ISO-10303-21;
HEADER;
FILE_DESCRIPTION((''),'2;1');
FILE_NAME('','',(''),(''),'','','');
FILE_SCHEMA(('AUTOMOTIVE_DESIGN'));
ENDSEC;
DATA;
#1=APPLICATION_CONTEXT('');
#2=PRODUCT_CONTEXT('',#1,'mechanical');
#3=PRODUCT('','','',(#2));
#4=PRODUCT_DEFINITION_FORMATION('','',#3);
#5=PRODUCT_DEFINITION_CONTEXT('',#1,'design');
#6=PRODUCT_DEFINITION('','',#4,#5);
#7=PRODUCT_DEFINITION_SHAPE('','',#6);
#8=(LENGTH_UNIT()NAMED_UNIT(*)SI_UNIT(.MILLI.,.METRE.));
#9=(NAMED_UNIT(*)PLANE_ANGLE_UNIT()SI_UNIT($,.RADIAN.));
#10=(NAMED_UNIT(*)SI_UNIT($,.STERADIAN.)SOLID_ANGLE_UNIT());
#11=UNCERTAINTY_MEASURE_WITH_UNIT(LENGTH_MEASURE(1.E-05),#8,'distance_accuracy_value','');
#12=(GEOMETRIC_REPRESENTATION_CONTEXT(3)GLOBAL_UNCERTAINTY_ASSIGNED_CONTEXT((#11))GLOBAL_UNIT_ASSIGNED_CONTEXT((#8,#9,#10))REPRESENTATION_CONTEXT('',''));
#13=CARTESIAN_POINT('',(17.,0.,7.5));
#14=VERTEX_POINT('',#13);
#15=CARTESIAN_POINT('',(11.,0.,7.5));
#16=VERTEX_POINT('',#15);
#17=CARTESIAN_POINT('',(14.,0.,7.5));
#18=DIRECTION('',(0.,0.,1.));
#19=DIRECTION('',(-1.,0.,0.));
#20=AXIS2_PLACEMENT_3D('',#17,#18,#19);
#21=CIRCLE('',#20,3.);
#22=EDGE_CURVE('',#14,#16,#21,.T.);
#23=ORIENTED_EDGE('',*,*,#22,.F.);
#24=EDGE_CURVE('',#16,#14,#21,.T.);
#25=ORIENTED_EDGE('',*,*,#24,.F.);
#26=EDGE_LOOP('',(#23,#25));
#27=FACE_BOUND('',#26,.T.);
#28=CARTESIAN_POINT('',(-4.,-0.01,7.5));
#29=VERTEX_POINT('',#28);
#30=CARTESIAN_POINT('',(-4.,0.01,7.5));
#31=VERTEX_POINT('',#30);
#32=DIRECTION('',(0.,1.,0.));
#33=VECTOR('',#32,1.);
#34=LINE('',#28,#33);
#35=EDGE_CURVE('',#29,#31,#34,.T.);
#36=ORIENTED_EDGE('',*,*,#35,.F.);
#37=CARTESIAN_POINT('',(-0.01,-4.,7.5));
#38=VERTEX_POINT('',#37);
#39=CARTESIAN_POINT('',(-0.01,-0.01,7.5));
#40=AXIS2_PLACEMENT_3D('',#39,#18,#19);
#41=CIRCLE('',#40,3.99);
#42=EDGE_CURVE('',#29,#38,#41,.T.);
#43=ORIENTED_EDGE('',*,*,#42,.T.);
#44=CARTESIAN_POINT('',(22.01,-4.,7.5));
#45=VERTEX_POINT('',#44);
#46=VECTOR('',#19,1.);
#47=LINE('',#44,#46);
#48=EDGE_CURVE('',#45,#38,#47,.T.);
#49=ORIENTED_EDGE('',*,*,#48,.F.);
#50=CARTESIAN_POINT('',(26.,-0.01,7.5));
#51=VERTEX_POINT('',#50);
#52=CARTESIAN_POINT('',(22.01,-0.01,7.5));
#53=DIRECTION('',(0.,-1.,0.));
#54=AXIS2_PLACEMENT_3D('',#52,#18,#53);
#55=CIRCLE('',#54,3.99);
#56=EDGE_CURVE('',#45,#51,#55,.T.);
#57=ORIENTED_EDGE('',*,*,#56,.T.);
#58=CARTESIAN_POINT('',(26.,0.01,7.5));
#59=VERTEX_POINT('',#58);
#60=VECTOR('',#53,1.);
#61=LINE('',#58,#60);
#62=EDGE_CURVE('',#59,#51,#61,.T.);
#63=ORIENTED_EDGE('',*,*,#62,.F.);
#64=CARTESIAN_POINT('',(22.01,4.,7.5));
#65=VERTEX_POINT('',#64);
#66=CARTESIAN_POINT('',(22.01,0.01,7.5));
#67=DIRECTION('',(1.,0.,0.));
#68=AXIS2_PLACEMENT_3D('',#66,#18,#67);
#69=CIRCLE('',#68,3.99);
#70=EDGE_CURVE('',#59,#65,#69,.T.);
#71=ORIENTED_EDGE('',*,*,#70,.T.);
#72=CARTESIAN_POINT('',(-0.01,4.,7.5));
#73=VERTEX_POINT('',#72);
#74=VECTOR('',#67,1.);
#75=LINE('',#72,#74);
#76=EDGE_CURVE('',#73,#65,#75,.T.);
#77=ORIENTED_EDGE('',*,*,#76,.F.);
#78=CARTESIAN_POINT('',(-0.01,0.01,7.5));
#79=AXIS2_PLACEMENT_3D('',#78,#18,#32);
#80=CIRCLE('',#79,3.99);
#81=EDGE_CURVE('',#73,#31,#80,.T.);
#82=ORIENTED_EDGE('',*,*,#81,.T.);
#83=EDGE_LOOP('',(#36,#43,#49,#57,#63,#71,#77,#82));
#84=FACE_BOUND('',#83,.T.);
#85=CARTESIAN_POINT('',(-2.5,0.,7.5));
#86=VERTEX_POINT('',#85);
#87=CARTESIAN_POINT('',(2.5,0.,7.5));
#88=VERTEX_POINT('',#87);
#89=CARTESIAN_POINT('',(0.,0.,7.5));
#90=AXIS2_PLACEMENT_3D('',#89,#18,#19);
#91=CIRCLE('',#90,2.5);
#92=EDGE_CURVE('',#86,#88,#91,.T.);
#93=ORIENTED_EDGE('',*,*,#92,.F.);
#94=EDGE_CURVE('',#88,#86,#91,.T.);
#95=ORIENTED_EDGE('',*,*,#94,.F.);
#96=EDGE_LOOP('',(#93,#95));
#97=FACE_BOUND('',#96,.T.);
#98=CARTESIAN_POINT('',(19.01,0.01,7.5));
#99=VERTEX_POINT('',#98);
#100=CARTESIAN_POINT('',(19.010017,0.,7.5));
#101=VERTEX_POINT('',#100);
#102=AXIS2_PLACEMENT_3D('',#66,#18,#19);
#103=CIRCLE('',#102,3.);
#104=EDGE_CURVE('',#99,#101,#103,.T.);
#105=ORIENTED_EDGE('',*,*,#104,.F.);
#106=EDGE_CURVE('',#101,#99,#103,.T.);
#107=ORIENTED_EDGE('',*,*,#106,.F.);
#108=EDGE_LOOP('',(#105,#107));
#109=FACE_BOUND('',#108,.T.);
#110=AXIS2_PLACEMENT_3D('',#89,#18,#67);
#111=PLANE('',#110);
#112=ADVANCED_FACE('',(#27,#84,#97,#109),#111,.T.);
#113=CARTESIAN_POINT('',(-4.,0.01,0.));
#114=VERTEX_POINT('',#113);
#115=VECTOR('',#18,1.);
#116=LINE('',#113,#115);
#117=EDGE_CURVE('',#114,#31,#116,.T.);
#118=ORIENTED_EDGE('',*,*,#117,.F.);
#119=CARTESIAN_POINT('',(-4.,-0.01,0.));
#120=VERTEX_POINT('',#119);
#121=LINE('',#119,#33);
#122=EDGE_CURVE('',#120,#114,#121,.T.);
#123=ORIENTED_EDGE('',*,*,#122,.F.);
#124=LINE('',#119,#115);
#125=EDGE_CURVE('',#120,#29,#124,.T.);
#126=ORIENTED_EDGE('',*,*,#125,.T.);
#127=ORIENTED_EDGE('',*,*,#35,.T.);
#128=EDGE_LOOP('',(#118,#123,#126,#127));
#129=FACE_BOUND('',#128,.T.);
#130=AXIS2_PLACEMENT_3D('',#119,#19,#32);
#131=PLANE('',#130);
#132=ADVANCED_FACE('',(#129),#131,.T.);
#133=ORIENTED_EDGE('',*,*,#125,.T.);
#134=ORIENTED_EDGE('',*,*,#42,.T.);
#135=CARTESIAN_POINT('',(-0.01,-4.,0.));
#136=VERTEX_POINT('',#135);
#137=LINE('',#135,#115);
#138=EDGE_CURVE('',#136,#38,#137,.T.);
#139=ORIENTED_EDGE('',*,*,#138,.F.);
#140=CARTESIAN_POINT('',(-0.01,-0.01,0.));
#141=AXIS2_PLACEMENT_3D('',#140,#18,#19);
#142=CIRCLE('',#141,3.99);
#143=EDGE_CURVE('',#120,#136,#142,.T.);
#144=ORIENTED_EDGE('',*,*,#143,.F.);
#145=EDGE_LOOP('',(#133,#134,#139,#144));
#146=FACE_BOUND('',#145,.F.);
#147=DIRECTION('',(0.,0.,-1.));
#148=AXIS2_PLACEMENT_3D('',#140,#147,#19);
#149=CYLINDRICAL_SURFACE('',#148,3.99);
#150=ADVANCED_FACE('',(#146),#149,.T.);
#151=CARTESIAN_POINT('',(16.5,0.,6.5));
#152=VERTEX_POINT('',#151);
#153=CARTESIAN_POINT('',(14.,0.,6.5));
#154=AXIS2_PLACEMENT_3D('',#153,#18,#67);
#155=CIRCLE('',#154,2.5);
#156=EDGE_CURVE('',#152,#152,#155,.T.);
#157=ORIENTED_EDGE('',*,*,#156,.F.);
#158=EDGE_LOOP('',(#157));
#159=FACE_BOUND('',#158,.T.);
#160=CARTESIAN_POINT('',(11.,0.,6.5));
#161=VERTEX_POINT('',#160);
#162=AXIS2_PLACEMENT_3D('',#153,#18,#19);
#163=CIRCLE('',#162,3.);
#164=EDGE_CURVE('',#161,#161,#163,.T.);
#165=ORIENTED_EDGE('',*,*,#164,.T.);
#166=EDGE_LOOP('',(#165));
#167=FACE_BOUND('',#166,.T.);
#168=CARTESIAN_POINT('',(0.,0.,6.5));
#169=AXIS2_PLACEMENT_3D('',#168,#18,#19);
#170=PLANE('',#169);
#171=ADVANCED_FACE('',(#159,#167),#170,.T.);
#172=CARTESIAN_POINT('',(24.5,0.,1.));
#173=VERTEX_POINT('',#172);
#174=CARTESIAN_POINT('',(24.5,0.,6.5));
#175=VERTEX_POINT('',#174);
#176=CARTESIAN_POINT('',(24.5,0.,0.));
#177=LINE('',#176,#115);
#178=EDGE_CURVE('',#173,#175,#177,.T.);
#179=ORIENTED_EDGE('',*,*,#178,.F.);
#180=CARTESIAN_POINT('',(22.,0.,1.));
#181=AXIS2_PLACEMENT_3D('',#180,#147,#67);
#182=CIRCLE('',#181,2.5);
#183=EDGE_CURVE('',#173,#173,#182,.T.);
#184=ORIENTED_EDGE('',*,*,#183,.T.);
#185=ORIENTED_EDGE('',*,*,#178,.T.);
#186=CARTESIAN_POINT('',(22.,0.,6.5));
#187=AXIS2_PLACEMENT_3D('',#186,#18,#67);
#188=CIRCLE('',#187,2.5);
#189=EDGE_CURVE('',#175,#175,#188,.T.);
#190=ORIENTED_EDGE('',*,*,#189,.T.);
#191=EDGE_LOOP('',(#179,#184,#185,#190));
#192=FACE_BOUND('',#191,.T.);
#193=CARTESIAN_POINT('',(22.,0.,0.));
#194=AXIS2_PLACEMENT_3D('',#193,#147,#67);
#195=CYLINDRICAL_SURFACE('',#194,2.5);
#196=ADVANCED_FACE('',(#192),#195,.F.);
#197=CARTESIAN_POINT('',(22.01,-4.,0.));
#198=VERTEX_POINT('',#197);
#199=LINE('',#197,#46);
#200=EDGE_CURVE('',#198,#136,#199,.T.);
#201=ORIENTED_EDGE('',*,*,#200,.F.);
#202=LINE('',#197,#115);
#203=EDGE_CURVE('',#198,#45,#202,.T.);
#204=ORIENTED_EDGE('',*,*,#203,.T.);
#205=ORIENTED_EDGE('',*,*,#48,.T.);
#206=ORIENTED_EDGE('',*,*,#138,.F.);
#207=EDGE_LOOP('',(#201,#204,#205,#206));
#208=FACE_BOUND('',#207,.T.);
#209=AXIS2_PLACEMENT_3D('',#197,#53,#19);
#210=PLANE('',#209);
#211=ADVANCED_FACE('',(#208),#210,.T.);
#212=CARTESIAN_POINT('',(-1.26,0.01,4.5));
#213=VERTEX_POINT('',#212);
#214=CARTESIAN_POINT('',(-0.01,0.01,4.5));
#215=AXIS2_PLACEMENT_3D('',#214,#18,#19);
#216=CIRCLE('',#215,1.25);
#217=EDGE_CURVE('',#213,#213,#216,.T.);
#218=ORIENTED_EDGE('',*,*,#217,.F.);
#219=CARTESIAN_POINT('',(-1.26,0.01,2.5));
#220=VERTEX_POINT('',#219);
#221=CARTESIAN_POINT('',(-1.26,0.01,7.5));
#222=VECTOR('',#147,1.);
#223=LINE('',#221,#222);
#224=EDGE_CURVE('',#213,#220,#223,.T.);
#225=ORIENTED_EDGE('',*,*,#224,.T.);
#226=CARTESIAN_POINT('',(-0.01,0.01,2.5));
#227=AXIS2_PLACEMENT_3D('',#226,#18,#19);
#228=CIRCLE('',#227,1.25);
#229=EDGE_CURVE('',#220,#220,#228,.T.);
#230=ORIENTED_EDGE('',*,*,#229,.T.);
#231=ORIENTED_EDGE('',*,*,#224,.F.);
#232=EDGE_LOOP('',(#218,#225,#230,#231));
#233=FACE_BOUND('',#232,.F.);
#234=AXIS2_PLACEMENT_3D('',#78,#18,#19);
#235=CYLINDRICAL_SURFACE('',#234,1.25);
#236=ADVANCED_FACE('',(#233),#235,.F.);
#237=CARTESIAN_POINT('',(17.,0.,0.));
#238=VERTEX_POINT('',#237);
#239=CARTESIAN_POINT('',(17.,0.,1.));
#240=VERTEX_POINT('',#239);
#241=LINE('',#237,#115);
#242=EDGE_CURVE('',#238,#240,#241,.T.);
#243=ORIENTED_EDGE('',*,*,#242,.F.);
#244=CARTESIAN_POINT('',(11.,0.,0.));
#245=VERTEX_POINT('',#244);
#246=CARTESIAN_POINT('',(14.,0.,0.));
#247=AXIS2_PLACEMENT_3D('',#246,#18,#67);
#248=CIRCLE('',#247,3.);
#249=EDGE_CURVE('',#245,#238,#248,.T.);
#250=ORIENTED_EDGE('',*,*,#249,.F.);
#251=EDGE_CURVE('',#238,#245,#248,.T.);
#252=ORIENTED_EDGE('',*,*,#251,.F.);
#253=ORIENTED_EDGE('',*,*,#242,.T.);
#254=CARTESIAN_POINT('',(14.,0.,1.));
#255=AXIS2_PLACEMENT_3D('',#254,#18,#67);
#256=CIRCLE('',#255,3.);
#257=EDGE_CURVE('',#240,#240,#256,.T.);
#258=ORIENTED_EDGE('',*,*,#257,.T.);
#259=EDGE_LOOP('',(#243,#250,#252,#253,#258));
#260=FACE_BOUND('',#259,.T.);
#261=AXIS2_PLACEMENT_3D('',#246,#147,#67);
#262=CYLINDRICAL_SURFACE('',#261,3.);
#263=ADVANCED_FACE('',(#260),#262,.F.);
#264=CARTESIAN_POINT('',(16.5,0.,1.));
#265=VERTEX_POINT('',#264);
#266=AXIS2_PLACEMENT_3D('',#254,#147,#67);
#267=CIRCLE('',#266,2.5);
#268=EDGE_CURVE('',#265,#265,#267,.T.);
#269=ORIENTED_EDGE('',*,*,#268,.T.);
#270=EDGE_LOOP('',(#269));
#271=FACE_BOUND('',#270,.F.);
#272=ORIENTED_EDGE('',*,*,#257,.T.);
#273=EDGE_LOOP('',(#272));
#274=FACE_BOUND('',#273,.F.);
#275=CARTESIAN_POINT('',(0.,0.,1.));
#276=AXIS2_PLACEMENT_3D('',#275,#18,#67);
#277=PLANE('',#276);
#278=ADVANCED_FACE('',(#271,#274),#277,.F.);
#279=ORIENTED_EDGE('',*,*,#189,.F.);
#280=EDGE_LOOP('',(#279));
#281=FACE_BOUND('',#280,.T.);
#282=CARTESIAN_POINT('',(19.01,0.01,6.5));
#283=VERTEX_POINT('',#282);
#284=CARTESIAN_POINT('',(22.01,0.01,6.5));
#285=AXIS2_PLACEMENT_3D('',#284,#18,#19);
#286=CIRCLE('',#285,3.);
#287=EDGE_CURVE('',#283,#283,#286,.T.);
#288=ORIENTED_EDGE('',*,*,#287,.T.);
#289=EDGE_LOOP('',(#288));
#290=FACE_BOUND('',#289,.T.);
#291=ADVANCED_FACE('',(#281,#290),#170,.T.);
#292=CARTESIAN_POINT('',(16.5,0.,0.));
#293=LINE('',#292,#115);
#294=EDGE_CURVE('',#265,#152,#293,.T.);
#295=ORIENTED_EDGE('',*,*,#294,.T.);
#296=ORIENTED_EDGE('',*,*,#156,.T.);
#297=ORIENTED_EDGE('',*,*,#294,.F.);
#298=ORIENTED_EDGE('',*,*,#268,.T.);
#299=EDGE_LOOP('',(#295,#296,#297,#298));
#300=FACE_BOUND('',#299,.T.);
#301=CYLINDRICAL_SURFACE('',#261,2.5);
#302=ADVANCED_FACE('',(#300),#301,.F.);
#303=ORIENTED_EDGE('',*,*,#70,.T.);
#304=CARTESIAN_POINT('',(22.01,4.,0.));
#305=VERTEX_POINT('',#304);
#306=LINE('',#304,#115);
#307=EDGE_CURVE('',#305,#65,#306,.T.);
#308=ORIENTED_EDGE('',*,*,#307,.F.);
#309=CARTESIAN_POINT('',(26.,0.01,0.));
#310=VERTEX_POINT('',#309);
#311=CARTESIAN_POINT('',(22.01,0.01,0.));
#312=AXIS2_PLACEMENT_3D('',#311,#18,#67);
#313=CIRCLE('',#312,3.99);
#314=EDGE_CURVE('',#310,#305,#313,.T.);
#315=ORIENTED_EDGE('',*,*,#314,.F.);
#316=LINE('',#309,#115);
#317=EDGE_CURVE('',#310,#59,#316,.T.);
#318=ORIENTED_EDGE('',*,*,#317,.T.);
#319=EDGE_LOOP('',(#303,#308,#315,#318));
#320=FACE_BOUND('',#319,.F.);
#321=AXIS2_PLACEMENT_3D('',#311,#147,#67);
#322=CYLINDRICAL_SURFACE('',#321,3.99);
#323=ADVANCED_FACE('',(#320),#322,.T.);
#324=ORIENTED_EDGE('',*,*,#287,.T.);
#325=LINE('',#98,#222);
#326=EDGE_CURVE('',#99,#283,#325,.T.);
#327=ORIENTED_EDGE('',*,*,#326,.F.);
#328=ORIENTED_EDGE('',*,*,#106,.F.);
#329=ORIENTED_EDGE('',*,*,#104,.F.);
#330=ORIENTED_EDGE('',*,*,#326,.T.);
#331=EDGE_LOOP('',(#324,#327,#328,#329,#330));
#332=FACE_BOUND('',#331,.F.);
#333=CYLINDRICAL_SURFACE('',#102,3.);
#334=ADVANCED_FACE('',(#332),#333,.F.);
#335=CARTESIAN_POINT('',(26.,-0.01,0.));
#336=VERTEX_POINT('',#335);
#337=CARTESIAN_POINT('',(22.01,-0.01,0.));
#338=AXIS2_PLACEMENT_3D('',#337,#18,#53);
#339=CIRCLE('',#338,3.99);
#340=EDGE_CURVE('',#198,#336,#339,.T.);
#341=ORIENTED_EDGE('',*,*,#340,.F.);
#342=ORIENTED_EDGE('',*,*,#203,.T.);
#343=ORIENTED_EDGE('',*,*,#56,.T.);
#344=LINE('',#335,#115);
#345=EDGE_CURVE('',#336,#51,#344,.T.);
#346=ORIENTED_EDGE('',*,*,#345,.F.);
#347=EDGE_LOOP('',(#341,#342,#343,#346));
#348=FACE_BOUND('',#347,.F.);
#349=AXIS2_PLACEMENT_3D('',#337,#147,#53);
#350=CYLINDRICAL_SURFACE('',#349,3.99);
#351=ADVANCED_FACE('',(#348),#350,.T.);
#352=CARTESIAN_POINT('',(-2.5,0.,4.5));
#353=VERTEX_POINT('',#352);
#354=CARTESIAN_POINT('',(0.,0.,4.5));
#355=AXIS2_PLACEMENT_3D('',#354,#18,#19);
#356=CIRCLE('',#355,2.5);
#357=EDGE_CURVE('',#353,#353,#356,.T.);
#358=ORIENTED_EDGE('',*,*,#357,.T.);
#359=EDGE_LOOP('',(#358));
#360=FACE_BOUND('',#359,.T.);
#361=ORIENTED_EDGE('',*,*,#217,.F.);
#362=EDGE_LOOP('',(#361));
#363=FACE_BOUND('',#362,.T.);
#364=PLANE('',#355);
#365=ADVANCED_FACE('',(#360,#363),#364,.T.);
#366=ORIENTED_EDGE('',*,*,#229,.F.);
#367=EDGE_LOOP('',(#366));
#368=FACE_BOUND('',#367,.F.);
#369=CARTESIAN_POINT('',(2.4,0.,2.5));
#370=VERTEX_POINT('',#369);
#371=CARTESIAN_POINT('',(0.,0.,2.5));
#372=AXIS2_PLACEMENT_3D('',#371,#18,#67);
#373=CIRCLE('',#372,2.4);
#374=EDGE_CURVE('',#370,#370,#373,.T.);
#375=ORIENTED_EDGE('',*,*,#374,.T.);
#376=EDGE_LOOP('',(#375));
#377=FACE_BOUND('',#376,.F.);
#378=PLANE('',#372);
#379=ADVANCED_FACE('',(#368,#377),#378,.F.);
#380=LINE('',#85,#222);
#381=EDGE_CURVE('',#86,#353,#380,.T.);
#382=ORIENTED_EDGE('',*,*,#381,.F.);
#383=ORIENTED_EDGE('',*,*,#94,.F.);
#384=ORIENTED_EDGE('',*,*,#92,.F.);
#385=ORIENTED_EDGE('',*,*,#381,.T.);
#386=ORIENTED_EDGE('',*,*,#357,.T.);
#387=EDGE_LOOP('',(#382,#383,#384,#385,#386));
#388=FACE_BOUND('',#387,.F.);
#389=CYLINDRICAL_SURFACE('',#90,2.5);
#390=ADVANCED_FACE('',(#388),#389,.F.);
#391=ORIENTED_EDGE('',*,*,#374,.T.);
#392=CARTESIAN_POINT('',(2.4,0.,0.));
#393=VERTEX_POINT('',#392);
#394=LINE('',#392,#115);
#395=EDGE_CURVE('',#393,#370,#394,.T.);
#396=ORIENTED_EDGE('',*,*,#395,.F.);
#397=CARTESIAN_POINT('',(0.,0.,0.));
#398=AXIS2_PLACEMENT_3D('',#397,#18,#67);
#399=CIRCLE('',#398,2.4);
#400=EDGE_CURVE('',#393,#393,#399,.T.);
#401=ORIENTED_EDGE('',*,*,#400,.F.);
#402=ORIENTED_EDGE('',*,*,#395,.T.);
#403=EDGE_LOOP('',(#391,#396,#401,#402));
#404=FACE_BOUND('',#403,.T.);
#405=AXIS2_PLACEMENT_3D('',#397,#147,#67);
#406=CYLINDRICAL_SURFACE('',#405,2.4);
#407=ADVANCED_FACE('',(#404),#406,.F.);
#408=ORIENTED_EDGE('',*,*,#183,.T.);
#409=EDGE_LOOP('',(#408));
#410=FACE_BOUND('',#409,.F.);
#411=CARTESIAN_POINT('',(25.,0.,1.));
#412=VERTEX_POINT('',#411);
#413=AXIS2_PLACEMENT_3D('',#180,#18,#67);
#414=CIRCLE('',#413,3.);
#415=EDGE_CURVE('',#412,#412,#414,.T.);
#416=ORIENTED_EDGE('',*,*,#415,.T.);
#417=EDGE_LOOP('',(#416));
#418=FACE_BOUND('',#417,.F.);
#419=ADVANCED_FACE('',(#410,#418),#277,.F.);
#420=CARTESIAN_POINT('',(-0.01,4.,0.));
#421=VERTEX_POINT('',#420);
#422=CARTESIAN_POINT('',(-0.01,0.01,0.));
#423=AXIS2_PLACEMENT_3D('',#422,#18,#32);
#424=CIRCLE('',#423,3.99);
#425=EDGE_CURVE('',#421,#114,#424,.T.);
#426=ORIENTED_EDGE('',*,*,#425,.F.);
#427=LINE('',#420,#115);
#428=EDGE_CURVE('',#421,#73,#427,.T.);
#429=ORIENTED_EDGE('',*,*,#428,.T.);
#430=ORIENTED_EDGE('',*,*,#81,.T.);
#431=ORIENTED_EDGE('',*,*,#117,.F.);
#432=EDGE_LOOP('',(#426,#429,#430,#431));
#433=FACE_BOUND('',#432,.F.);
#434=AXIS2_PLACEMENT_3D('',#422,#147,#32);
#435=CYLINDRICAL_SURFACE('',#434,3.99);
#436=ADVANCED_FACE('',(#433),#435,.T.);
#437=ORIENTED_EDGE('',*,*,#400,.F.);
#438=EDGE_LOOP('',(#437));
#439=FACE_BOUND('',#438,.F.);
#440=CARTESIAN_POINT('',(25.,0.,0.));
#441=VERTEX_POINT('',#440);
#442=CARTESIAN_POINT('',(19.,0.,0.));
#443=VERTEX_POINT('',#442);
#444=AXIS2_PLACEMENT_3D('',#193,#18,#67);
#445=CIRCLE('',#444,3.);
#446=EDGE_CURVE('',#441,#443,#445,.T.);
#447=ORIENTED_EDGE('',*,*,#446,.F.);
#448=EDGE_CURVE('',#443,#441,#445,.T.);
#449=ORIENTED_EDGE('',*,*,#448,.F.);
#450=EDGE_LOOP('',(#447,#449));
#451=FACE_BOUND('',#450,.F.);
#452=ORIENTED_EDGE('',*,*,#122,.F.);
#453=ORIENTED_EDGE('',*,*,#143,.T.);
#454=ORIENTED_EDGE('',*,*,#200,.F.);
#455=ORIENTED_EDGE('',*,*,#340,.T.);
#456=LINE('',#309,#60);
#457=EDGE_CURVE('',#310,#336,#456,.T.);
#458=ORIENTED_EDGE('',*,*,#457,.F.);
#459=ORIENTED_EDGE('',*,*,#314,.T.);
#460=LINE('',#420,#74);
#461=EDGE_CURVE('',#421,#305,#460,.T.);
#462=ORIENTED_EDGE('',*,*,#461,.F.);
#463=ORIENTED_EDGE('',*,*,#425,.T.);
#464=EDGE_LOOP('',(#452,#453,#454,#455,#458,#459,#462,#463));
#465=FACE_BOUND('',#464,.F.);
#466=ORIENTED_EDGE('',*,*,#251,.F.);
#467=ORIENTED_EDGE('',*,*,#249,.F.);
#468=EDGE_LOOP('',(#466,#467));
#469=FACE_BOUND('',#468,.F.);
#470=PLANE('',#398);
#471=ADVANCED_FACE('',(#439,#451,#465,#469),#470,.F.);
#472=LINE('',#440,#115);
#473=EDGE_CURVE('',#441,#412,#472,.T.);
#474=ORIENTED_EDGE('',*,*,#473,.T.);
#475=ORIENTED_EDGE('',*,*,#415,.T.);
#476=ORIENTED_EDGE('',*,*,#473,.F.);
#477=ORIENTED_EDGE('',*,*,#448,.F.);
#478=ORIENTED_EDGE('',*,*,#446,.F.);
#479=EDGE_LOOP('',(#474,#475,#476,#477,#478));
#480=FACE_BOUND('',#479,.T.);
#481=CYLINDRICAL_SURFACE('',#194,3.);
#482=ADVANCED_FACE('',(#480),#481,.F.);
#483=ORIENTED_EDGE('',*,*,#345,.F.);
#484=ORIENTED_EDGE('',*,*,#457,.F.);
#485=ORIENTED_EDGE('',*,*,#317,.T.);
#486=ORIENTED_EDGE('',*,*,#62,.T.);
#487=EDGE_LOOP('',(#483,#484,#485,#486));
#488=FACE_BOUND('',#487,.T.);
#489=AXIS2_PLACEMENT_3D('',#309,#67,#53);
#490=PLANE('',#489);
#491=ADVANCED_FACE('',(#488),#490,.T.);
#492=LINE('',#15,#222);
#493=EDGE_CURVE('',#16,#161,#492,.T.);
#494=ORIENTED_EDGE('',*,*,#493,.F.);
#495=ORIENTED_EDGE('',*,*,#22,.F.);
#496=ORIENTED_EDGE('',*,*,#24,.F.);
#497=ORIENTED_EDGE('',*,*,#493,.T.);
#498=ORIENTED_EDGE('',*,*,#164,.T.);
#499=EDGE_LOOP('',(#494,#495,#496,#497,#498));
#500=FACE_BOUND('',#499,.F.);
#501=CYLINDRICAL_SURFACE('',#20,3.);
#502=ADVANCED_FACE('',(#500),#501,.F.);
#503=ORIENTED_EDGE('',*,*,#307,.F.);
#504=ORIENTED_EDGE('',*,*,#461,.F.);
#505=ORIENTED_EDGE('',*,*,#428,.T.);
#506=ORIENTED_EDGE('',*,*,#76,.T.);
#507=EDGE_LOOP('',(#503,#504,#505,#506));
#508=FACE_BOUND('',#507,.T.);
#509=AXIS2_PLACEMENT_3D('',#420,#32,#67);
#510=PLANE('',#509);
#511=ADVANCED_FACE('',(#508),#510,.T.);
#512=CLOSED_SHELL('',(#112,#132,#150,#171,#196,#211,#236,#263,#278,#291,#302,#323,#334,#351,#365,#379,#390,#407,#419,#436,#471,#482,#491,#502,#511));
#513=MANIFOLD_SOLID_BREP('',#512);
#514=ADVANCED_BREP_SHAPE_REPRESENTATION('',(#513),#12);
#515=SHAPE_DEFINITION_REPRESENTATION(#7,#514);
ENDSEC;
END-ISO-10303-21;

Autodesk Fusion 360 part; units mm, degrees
sketch "Sketch1" plane through (0, 0, 0) normal (0, 0, 1) x (1, 0, 0)
  line L0 (0, 0) -> (22, 0)
  circle A0 centre (22, 0) radius 2.5
  line L1 (22, 0) -> (14, 0)
  circle A1 centre (14, 0) radius 2.5
  circle A2 centre (0, 0) radius 2.4
  line L2 (22.01, -4) -> (-0.01, -4)
  line L3 (-4, -0.01) -> (-4, 0.01)
  line L4 (-0.01, 4) -> (22.01, 4)
  line L5 (26, 0.01) -> (26, -0.01)
  arc A3 (-4, -0.01) -> (-0.01, -4) centre (-0.01, -0.01) ccw
  arc A4 (-0.01, 4) -> (-4, 0.01) centre (-0.01, 0.01) ccw
  arc A5 (26, 0.01) -> (22.01, 4) centre (22.01, 0.01) ccw
  arc A6 (22.01, -4) -> (26, -0.01) centre (22.01, -0.01) ccw
  dimension "d1" = 22
  dimension "d2" = 5
  dimension "d3" = 8
  dimension "d4" = 5
  dimension "d5" = 4.8
  dimension "d6" = 3.99
  dimension "d7" = 3.99
  dimension "d8" = 3.99
  dimension "d9" = 3.99
extrude "Extrude1" add sketch "Sketch1" along normal blind 7.5 contours A2 | L2 L3 L4 L5 A3 A4 A5 A6
extrude "Extrude2" cut sketch "Sketch1" along normal blind 2.5 contours A2
sketch "Sketch2" plane through (0, 0, 7.5) normal (0, 0, 1) x (-1, 0, 0)
  circle A0 centre (-22, 0) radius 2.5
  circle A1 centre (-14, 0) radius 2.5
  arc A2 (4, 0.01) -> (0.01, 4) centre (0.01, 0.01) ccw
  line L0 (0.01, 4) -> (-22.01, 4)
  arc A3 (-22.01, 4) -> (-26, 0.01) centre (-22.01, 0.01) ccw
  line L1 (-26, 0.01) -> (-26, -0.01)
  arc A4 (-26, -0.01) -> (-22.01, -4) centre (-22.01, -0.01) ccw
  line L2 (-22.01, -4) -> (0.01, -4)
  arc A5 (0.01, -4) -> (4, -0.01) centre (0.01, -0.01) ccw
  line L3 (4, -0.01) -> (4, 0.01)
  circle A6 centre (0.01, -0.01) radius 1.25
  dimension "d14" = 2.5
extrude "Extrude3" cut sketch "Sketch2" against normal blind 100 contours A6
sketch "Sketch3" plane through (0, 0, 7.5) normal (0, 0, 1) x (-1, 0, 0)
  circle A0 centre (0, 0) radius 2.5
  dimension "d17" = 5
extrude "Extrude4" cut sketch "Sketch3" against normal blind 3
sketch "Sketch4" plane through (0, 0, 0) normal (0, 0, 1) x (1, 0, 0)
  circle A0 centre (14, 0) radius 3
  circle A1 centre (22, 0) radius 3
  dimension "d20" = 6
  dimension "d21" = 6
extrude "Extrude5" cut sketch "Sketch4" along normal blind 1 contours A0
extrude "Extrude6" cut sketch "Sketch4" along normal blind 1 contours A1
sketch "Sketch5" plane through (0, 0, 7.5) normal (0, 0, 1) x (-1, 0, 0)
  circle A0 centre (0, 0) radius 2.5
  circle A1 centre (-22, 0) radius 2.5
  circle A2 centre (-14, 0) radius 2.5
  arc A3 (4, 0.01) -> (0.01, 4) centre (0.01, 0.01) ccw
  line L0 (0.01, 4) -> (-22.01, 4)
  arc A4 (-22.01, 4) -> (-26, 0.01) centre (-22.01, 0.01) ccw
  line L1 (-26, 0.01) -> (-26, -0.01)
  arc A5 (-26, -0.01) -> (-22.01, -4) centre (-22.01, -0.01) ccw
  line L2 (-22.01, -4) -> (0.01, -4)
  arc A6 (0.01, -4) -> (4, -0.01) centre (0.01, -0.01) ccw
  line L3 (4, -0.01) -> (4, 0.01)
  circle A7 centre (-14, 0) radius 3
  circle A8 centre (-22.01, -0.01) radius 3
  dimension "d26" = 6
  dimension "d27" = 6
extrude "Extrude7" cut sketch "Sketch5" against normal blind 1 contours A8
extrude "Extrude8" cut sketch "Sketch5" against normal blind 1 contours A7
